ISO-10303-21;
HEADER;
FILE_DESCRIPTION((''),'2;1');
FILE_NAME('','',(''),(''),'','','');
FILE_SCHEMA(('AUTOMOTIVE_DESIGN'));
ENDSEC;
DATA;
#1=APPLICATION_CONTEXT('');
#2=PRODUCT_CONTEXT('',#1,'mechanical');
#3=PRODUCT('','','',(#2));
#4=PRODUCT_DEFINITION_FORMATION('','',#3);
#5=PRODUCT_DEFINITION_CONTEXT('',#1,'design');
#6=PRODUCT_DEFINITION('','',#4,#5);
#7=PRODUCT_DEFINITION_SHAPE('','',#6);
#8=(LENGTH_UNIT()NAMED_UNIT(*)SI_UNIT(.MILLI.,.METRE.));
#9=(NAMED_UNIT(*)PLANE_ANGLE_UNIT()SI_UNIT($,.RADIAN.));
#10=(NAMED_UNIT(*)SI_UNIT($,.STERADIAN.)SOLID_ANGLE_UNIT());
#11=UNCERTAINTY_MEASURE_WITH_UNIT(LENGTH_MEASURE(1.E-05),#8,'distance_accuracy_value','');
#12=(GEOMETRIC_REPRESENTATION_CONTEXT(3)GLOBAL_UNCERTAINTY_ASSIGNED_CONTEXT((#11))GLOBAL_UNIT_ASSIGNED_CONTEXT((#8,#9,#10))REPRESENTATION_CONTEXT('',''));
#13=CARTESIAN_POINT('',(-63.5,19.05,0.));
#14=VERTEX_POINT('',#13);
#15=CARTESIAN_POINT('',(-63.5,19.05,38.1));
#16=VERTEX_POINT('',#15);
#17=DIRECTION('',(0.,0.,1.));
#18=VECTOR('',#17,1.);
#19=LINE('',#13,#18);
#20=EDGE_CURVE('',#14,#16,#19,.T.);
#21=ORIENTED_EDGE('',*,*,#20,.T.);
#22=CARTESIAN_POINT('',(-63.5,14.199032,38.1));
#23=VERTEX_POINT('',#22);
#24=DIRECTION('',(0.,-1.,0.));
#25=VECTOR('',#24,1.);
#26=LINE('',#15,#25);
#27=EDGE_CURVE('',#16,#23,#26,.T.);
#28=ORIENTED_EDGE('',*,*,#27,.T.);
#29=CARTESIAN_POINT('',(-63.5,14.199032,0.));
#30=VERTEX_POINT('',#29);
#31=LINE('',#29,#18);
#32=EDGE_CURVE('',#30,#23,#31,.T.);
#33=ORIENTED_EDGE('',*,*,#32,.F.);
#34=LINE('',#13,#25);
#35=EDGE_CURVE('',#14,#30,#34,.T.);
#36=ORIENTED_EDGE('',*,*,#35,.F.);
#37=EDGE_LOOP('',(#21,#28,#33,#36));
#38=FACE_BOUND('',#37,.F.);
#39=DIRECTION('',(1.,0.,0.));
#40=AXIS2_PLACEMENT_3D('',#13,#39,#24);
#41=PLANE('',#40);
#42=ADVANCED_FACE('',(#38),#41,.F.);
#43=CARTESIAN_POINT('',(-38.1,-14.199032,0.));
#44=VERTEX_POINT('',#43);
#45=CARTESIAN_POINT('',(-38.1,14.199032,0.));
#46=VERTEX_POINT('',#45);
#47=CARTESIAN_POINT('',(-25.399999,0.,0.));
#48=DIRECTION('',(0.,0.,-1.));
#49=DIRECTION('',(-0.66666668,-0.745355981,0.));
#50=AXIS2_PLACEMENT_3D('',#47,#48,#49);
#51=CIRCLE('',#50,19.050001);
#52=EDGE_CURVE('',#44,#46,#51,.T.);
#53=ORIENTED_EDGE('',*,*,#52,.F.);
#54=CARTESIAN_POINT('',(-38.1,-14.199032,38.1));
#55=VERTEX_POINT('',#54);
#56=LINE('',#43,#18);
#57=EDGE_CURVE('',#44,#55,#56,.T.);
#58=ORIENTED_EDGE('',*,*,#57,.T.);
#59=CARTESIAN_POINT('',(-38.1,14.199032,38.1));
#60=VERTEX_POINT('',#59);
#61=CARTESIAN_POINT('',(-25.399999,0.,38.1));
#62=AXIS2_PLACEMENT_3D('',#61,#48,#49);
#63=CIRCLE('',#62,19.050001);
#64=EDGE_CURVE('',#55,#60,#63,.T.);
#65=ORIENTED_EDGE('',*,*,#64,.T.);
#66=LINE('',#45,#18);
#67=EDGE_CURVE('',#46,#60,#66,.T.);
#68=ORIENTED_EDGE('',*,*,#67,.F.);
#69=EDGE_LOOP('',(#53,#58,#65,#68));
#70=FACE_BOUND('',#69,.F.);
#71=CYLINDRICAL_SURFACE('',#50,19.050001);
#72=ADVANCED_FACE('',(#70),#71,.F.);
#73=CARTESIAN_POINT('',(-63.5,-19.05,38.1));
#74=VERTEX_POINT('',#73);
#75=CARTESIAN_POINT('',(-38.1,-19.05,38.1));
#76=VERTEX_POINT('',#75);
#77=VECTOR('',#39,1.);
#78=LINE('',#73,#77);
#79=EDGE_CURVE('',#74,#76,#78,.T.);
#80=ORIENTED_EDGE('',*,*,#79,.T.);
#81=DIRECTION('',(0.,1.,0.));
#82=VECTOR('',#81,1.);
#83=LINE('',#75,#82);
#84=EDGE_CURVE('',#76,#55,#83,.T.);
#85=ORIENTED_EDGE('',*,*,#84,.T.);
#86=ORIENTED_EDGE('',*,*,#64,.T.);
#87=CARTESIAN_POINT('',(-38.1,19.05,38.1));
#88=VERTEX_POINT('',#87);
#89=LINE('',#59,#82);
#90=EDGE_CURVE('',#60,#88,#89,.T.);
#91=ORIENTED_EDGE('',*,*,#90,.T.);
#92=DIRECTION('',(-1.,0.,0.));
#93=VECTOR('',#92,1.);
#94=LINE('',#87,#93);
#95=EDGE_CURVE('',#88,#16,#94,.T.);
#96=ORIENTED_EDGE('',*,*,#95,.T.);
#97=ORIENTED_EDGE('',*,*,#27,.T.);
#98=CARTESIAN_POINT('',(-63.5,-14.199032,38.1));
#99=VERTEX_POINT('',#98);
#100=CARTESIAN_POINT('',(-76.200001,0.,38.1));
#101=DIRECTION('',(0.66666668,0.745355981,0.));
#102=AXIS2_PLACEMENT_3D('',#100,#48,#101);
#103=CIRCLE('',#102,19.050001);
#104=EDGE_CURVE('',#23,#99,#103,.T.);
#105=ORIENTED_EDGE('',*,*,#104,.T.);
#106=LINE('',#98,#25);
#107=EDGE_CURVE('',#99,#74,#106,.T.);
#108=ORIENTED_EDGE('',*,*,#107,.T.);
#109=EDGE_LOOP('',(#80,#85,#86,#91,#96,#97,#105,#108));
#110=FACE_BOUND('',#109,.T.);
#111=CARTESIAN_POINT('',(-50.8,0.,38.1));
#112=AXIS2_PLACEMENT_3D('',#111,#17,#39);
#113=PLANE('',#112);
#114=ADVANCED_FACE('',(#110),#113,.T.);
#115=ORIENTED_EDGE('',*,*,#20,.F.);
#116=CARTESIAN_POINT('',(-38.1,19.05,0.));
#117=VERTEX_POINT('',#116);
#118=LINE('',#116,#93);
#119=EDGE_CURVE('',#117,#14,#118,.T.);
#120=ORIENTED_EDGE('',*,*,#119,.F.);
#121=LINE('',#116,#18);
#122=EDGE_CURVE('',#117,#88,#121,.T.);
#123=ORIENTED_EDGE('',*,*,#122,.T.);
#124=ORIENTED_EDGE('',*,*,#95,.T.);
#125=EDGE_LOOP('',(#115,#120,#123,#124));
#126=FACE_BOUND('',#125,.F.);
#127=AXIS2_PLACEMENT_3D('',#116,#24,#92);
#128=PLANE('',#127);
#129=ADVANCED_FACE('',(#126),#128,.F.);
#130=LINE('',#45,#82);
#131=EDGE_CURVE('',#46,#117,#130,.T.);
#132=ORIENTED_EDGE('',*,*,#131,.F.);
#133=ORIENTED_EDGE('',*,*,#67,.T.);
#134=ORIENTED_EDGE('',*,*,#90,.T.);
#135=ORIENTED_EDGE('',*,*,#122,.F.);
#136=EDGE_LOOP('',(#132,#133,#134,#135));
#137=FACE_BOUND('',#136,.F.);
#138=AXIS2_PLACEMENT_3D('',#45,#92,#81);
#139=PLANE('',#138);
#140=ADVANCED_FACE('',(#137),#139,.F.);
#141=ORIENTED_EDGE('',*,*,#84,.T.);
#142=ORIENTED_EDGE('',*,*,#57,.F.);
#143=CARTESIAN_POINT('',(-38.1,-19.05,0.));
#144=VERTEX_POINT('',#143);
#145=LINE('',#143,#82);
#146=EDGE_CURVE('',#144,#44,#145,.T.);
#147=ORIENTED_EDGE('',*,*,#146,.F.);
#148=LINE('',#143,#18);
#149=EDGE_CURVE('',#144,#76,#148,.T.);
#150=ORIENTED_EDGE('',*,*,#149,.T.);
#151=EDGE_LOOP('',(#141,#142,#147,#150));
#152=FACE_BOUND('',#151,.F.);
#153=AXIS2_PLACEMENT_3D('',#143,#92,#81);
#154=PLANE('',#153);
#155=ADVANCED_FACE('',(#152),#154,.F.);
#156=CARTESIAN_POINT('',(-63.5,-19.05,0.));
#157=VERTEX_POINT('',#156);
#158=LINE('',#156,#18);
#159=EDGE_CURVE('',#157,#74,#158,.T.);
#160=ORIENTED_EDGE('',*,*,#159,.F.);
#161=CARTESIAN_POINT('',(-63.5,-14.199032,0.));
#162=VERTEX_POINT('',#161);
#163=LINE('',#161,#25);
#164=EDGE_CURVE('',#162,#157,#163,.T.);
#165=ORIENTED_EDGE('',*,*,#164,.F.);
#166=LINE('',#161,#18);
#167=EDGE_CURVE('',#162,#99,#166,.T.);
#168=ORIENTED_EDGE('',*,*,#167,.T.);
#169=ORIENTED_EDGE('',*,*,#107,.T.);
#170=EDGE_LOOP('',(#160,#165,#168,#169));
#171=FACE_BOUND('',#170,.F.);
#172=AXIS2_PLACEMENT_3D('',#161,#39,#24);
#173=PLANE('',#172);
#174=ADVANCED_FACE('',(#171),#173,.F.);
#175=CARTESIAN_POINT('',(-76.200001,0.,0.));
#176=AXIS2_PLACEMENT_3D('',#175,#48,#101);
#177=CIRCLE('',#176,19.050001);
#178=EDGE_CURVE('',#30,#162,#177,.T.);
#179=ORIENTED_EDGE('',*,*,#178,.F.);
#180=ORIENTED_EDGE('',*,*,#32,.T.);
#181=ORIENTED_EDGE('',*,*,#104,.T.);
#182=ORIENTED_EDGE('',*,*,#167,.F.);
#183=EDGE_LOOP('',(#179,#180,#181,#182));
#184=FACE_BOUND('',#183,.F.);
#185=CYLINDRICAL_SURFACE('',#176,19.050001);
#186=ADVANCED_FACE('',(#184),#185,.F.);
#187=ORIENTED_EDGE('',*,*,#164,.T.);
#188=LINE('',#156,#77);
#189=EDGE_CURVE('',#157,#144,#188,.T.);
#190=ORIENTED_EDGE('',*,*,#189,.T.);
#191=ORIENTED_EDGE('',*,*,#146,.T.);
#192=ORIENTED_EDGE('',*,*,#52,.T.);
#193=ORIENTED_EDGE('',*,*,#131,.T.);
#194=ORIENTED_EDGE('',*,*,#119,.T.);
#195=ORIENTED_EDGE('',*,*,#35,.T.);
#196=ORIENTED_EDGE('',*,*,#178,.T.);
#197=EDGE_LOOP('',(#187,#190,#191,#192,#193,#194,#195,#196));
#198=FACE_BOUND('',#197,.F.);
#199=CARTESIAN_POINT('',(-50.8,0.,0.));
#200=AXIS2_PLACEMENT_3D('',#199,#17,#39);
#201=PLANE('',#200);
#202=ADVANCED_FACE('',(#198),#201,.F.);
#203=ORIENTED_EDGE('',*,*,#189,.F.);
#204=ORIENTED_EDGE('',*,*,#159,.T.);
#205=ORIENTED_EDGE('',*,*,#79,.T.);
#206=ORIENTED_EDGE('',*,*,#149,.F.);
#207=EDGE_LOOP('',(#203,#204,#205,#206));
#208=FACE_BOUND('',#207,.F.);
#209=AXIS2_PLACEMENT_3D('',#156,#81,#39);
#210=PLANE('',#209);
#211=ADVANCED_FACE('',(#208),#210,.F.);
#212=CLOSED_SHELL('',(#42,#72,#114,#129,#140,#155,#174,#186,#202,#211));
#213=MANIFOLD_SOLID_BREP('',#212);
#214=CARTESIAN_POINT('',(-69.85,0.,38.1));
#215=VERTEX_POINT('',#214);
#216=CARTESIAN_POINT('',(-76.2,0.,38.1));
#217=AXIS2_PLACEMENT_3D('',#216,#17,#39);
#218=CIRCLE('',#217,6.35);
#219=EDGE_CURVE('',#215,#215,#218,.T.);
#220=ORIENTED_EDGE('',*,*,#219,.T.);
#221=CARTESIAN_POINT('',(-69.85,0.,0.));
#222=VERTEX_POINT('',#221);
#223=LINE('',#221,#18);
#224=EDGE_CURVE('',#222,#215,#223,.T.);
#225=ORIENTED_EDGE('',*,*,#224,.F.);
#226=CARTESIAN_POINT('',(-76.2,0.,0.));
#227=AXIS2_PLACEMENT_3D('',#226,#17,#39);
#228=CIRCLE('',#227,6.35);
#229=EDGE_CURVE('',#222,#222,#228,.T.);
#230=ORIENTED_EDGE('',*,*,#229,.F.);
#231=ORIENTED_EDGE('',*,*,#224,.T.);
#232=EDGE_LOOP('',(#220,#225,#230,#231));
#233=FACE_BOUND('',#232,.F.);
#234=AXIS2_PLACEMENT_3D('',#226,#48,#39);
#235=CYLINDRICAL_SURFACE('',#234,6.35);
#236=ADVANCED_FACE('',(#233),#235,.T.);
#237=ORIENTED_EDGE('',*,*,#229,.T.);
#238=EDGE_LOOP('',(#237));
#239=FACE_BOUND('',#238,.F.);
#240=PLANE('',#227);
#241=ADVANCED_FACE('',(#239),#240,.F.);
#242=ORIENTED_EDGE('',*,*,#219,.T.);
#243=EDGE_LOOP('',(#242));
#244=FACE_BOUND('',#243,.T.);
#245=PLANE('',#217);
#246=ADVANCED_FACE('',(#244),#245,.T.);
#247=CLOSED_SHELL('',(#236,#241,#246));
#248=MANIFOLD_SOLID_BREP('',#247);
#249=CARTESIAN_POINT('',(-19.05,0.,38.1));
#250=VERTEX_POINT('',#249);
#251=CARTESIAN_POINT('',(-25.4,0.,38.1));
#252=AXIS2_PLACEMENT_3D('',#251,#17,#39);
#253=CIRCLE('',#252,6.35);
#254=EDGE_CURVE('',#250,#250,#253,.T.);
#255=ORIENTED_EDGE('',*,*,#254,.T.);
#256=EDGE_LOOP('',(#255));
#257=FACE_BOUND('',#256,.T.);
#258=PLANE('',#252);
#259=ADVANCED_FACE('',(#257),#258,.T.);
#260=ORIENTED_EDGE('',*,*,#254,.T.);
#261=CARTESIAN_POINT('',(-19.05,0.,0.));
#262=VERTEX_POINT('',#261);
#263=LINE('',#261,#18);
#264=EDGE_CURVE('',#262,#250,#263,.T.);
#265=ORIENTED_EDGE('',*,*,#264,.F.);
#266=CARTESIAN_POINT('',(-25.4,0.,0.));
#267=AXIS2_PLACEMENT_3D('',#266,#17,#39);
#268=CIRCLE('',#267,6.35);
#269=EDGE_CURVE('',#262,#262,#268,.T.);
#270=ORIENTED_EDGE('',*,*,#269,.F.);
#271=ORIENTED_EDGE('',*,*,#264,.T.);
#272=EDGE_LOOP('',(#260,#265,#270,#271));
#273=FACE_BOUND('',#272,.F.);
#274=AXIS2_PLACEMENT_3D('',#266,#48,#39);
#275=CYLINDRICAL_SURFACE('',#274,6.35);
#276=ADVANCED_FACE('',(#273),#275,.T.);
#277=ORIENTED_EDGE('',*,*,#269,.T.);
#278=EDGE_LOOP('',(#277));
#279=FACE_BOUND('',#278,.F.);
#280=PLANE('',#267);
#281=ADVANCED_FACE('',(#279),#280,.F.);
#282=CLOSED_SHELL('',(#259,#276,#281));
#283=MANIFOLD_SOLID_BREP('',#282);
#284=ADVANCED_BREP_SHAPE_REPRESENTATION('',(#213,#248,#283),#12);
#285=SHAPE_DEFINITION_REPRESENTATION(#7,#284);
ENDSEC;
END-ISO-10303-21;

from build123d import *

# Parameters (mm, degrees)
F0_R     = 6.35
F1_DEPTH = 38.1


with BuildPart() as f1:
    # F0 (on Top) → F1 (new body)
    with BuildSketch(Plane.XY):
        with Locations((-76.2, 0)):
            Circle(F0_R)
        with BuildLine():
            ThreePointArc((-38.1, -14.199032), (-44.45, 0), (-38.1, 14.199032))
            Line((-38.1, 14.199032), (-38.1, 19.05))
            Line((-38.1, 19.05), (-63.5, 19.05))
            Line((-63.5, 19.05), (-63.5, 14.199032))
            ThreePointArc((-63.5, 14.199032), (-57.15, 0), (-63.5, -14.199032))
            Line((-63.5, -14.199032), (-63.5, -19.05))
            Line((-63.5, -19.05), (-38.1, -19.05))
            Line((-38.1, -19.05), (-38.1, -14.199032))
        make_face()
        with Locations((-25.4, 0)):
            Circle(F0_R)
    extrude(amount=F1_DEPTH)


solid = f1.part
